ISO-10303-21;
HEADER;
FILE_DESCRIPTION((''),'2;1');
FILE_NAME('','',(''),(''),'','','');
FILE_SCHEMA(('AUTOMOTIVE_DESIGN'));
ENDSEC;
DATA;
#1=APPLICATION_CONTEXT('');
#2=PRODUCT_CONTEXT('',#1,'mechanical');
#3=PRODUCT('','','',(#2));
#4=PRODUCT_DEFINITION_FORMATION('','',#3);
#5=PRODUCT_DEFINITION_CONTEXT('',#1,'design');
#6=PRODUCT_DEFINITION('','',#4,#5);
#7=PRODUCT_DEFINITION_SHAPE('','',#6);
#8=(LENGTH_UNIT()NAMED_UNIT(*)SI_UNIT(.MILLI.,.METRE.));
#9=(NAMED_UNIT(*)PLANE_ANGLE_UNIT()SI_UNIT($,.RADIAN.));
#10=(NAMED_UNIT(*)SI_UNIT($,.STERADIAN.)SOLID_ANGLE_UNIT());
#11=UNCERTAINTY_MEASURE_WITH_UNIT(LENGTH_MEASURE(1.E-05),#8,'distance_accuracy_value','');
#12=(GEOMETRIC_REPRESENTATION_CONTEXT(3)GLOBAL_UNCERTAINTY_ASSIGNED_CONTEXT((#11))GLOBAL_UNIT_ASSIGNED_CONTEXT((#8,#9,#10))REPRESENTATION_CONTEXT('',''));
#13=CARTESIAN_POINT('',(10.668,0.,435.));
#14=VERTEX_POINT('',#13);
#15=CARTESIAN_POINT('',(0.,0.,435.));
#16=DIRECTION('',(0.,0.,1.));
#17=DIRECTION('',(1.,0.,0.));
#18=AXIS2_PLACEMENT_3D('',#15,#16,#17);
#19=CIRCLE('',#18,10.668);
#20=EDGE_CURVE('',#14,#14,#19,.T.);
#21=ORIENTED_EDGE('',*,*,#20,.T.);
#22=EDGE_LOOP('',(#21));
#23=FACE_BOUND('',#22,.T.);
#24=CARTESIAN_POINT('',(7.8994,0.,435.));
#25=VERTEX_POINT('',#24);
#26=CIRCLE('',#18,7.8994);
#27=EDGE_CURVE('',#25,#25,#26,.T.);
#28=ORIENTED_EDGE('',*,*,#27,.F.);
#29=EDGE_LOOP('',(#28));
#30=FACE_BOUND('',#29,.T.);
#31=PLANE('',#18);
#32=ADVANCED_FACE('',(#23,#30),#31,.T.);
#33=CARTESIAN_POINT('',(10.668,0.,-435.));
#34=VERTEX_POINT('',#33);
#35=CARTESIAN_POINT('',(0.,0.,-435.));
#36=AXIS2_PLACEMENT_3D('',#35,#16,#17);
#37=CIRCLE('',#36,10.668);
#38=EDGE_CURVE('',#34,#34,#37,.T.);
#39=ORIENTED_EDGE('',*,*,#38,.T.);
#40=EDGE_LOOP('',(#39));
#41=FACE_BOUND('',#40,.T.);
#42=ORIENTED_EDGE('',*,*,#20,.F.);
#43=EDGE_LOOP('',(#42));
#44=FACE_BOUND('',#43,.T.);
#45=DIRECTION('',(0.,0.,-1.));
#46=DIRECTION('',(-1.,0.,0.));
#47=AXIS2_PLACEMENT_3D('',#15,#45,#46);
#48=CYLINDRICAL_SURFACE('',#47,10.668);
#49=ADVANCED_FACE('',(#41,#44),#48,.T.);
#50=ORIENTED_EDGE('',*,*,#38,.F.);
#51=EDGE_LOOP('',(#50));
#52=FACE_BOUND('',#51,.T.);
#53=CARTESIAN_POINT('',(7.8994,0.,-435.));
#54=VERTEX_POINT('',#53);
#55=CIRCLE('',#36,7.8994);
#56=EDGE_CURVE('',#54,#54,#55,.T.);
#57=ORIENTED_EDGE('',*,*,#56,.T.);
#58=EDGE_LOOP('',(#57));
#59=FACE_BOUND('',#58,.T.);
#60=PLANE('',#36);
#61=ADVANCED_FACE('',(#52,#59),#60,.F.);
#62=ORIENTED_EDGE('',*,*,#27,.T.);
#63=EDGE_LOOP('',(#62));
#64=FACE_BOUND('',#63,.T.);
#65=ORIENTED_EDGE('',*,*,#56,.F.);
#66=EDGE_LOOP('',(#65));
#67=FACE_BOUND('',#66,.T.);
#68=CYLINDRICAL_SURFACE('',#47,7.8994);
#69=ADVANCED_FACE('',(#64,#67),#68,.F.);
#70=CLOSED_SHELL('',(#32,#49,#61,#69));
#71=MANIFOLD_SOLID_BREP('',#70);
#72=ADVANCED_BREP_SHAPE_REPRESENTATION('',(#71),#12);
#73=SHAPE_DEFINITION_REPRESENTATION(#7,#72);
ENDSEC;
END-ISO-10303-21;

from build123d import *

# Parameters (mm, degrees)
SKETCH1_R           = 10.668
SKETCH1_R_2         = 7.8994
EXTRUDE_THIN1_DEPTH = 435


with BuildPart() as part:
    # Sketch1 → Extrude-Thin1 (new body, symmetric)
    with BuildSketch(Plane.XY):
        Circle(SKETCH1_R)
        Circle(SKETCH1_R_2, mode=Mode.SUBTRACT)
    extrude(amount=EXTRUDE_THIN1_DEPTH, both=True)


solid = part.part
